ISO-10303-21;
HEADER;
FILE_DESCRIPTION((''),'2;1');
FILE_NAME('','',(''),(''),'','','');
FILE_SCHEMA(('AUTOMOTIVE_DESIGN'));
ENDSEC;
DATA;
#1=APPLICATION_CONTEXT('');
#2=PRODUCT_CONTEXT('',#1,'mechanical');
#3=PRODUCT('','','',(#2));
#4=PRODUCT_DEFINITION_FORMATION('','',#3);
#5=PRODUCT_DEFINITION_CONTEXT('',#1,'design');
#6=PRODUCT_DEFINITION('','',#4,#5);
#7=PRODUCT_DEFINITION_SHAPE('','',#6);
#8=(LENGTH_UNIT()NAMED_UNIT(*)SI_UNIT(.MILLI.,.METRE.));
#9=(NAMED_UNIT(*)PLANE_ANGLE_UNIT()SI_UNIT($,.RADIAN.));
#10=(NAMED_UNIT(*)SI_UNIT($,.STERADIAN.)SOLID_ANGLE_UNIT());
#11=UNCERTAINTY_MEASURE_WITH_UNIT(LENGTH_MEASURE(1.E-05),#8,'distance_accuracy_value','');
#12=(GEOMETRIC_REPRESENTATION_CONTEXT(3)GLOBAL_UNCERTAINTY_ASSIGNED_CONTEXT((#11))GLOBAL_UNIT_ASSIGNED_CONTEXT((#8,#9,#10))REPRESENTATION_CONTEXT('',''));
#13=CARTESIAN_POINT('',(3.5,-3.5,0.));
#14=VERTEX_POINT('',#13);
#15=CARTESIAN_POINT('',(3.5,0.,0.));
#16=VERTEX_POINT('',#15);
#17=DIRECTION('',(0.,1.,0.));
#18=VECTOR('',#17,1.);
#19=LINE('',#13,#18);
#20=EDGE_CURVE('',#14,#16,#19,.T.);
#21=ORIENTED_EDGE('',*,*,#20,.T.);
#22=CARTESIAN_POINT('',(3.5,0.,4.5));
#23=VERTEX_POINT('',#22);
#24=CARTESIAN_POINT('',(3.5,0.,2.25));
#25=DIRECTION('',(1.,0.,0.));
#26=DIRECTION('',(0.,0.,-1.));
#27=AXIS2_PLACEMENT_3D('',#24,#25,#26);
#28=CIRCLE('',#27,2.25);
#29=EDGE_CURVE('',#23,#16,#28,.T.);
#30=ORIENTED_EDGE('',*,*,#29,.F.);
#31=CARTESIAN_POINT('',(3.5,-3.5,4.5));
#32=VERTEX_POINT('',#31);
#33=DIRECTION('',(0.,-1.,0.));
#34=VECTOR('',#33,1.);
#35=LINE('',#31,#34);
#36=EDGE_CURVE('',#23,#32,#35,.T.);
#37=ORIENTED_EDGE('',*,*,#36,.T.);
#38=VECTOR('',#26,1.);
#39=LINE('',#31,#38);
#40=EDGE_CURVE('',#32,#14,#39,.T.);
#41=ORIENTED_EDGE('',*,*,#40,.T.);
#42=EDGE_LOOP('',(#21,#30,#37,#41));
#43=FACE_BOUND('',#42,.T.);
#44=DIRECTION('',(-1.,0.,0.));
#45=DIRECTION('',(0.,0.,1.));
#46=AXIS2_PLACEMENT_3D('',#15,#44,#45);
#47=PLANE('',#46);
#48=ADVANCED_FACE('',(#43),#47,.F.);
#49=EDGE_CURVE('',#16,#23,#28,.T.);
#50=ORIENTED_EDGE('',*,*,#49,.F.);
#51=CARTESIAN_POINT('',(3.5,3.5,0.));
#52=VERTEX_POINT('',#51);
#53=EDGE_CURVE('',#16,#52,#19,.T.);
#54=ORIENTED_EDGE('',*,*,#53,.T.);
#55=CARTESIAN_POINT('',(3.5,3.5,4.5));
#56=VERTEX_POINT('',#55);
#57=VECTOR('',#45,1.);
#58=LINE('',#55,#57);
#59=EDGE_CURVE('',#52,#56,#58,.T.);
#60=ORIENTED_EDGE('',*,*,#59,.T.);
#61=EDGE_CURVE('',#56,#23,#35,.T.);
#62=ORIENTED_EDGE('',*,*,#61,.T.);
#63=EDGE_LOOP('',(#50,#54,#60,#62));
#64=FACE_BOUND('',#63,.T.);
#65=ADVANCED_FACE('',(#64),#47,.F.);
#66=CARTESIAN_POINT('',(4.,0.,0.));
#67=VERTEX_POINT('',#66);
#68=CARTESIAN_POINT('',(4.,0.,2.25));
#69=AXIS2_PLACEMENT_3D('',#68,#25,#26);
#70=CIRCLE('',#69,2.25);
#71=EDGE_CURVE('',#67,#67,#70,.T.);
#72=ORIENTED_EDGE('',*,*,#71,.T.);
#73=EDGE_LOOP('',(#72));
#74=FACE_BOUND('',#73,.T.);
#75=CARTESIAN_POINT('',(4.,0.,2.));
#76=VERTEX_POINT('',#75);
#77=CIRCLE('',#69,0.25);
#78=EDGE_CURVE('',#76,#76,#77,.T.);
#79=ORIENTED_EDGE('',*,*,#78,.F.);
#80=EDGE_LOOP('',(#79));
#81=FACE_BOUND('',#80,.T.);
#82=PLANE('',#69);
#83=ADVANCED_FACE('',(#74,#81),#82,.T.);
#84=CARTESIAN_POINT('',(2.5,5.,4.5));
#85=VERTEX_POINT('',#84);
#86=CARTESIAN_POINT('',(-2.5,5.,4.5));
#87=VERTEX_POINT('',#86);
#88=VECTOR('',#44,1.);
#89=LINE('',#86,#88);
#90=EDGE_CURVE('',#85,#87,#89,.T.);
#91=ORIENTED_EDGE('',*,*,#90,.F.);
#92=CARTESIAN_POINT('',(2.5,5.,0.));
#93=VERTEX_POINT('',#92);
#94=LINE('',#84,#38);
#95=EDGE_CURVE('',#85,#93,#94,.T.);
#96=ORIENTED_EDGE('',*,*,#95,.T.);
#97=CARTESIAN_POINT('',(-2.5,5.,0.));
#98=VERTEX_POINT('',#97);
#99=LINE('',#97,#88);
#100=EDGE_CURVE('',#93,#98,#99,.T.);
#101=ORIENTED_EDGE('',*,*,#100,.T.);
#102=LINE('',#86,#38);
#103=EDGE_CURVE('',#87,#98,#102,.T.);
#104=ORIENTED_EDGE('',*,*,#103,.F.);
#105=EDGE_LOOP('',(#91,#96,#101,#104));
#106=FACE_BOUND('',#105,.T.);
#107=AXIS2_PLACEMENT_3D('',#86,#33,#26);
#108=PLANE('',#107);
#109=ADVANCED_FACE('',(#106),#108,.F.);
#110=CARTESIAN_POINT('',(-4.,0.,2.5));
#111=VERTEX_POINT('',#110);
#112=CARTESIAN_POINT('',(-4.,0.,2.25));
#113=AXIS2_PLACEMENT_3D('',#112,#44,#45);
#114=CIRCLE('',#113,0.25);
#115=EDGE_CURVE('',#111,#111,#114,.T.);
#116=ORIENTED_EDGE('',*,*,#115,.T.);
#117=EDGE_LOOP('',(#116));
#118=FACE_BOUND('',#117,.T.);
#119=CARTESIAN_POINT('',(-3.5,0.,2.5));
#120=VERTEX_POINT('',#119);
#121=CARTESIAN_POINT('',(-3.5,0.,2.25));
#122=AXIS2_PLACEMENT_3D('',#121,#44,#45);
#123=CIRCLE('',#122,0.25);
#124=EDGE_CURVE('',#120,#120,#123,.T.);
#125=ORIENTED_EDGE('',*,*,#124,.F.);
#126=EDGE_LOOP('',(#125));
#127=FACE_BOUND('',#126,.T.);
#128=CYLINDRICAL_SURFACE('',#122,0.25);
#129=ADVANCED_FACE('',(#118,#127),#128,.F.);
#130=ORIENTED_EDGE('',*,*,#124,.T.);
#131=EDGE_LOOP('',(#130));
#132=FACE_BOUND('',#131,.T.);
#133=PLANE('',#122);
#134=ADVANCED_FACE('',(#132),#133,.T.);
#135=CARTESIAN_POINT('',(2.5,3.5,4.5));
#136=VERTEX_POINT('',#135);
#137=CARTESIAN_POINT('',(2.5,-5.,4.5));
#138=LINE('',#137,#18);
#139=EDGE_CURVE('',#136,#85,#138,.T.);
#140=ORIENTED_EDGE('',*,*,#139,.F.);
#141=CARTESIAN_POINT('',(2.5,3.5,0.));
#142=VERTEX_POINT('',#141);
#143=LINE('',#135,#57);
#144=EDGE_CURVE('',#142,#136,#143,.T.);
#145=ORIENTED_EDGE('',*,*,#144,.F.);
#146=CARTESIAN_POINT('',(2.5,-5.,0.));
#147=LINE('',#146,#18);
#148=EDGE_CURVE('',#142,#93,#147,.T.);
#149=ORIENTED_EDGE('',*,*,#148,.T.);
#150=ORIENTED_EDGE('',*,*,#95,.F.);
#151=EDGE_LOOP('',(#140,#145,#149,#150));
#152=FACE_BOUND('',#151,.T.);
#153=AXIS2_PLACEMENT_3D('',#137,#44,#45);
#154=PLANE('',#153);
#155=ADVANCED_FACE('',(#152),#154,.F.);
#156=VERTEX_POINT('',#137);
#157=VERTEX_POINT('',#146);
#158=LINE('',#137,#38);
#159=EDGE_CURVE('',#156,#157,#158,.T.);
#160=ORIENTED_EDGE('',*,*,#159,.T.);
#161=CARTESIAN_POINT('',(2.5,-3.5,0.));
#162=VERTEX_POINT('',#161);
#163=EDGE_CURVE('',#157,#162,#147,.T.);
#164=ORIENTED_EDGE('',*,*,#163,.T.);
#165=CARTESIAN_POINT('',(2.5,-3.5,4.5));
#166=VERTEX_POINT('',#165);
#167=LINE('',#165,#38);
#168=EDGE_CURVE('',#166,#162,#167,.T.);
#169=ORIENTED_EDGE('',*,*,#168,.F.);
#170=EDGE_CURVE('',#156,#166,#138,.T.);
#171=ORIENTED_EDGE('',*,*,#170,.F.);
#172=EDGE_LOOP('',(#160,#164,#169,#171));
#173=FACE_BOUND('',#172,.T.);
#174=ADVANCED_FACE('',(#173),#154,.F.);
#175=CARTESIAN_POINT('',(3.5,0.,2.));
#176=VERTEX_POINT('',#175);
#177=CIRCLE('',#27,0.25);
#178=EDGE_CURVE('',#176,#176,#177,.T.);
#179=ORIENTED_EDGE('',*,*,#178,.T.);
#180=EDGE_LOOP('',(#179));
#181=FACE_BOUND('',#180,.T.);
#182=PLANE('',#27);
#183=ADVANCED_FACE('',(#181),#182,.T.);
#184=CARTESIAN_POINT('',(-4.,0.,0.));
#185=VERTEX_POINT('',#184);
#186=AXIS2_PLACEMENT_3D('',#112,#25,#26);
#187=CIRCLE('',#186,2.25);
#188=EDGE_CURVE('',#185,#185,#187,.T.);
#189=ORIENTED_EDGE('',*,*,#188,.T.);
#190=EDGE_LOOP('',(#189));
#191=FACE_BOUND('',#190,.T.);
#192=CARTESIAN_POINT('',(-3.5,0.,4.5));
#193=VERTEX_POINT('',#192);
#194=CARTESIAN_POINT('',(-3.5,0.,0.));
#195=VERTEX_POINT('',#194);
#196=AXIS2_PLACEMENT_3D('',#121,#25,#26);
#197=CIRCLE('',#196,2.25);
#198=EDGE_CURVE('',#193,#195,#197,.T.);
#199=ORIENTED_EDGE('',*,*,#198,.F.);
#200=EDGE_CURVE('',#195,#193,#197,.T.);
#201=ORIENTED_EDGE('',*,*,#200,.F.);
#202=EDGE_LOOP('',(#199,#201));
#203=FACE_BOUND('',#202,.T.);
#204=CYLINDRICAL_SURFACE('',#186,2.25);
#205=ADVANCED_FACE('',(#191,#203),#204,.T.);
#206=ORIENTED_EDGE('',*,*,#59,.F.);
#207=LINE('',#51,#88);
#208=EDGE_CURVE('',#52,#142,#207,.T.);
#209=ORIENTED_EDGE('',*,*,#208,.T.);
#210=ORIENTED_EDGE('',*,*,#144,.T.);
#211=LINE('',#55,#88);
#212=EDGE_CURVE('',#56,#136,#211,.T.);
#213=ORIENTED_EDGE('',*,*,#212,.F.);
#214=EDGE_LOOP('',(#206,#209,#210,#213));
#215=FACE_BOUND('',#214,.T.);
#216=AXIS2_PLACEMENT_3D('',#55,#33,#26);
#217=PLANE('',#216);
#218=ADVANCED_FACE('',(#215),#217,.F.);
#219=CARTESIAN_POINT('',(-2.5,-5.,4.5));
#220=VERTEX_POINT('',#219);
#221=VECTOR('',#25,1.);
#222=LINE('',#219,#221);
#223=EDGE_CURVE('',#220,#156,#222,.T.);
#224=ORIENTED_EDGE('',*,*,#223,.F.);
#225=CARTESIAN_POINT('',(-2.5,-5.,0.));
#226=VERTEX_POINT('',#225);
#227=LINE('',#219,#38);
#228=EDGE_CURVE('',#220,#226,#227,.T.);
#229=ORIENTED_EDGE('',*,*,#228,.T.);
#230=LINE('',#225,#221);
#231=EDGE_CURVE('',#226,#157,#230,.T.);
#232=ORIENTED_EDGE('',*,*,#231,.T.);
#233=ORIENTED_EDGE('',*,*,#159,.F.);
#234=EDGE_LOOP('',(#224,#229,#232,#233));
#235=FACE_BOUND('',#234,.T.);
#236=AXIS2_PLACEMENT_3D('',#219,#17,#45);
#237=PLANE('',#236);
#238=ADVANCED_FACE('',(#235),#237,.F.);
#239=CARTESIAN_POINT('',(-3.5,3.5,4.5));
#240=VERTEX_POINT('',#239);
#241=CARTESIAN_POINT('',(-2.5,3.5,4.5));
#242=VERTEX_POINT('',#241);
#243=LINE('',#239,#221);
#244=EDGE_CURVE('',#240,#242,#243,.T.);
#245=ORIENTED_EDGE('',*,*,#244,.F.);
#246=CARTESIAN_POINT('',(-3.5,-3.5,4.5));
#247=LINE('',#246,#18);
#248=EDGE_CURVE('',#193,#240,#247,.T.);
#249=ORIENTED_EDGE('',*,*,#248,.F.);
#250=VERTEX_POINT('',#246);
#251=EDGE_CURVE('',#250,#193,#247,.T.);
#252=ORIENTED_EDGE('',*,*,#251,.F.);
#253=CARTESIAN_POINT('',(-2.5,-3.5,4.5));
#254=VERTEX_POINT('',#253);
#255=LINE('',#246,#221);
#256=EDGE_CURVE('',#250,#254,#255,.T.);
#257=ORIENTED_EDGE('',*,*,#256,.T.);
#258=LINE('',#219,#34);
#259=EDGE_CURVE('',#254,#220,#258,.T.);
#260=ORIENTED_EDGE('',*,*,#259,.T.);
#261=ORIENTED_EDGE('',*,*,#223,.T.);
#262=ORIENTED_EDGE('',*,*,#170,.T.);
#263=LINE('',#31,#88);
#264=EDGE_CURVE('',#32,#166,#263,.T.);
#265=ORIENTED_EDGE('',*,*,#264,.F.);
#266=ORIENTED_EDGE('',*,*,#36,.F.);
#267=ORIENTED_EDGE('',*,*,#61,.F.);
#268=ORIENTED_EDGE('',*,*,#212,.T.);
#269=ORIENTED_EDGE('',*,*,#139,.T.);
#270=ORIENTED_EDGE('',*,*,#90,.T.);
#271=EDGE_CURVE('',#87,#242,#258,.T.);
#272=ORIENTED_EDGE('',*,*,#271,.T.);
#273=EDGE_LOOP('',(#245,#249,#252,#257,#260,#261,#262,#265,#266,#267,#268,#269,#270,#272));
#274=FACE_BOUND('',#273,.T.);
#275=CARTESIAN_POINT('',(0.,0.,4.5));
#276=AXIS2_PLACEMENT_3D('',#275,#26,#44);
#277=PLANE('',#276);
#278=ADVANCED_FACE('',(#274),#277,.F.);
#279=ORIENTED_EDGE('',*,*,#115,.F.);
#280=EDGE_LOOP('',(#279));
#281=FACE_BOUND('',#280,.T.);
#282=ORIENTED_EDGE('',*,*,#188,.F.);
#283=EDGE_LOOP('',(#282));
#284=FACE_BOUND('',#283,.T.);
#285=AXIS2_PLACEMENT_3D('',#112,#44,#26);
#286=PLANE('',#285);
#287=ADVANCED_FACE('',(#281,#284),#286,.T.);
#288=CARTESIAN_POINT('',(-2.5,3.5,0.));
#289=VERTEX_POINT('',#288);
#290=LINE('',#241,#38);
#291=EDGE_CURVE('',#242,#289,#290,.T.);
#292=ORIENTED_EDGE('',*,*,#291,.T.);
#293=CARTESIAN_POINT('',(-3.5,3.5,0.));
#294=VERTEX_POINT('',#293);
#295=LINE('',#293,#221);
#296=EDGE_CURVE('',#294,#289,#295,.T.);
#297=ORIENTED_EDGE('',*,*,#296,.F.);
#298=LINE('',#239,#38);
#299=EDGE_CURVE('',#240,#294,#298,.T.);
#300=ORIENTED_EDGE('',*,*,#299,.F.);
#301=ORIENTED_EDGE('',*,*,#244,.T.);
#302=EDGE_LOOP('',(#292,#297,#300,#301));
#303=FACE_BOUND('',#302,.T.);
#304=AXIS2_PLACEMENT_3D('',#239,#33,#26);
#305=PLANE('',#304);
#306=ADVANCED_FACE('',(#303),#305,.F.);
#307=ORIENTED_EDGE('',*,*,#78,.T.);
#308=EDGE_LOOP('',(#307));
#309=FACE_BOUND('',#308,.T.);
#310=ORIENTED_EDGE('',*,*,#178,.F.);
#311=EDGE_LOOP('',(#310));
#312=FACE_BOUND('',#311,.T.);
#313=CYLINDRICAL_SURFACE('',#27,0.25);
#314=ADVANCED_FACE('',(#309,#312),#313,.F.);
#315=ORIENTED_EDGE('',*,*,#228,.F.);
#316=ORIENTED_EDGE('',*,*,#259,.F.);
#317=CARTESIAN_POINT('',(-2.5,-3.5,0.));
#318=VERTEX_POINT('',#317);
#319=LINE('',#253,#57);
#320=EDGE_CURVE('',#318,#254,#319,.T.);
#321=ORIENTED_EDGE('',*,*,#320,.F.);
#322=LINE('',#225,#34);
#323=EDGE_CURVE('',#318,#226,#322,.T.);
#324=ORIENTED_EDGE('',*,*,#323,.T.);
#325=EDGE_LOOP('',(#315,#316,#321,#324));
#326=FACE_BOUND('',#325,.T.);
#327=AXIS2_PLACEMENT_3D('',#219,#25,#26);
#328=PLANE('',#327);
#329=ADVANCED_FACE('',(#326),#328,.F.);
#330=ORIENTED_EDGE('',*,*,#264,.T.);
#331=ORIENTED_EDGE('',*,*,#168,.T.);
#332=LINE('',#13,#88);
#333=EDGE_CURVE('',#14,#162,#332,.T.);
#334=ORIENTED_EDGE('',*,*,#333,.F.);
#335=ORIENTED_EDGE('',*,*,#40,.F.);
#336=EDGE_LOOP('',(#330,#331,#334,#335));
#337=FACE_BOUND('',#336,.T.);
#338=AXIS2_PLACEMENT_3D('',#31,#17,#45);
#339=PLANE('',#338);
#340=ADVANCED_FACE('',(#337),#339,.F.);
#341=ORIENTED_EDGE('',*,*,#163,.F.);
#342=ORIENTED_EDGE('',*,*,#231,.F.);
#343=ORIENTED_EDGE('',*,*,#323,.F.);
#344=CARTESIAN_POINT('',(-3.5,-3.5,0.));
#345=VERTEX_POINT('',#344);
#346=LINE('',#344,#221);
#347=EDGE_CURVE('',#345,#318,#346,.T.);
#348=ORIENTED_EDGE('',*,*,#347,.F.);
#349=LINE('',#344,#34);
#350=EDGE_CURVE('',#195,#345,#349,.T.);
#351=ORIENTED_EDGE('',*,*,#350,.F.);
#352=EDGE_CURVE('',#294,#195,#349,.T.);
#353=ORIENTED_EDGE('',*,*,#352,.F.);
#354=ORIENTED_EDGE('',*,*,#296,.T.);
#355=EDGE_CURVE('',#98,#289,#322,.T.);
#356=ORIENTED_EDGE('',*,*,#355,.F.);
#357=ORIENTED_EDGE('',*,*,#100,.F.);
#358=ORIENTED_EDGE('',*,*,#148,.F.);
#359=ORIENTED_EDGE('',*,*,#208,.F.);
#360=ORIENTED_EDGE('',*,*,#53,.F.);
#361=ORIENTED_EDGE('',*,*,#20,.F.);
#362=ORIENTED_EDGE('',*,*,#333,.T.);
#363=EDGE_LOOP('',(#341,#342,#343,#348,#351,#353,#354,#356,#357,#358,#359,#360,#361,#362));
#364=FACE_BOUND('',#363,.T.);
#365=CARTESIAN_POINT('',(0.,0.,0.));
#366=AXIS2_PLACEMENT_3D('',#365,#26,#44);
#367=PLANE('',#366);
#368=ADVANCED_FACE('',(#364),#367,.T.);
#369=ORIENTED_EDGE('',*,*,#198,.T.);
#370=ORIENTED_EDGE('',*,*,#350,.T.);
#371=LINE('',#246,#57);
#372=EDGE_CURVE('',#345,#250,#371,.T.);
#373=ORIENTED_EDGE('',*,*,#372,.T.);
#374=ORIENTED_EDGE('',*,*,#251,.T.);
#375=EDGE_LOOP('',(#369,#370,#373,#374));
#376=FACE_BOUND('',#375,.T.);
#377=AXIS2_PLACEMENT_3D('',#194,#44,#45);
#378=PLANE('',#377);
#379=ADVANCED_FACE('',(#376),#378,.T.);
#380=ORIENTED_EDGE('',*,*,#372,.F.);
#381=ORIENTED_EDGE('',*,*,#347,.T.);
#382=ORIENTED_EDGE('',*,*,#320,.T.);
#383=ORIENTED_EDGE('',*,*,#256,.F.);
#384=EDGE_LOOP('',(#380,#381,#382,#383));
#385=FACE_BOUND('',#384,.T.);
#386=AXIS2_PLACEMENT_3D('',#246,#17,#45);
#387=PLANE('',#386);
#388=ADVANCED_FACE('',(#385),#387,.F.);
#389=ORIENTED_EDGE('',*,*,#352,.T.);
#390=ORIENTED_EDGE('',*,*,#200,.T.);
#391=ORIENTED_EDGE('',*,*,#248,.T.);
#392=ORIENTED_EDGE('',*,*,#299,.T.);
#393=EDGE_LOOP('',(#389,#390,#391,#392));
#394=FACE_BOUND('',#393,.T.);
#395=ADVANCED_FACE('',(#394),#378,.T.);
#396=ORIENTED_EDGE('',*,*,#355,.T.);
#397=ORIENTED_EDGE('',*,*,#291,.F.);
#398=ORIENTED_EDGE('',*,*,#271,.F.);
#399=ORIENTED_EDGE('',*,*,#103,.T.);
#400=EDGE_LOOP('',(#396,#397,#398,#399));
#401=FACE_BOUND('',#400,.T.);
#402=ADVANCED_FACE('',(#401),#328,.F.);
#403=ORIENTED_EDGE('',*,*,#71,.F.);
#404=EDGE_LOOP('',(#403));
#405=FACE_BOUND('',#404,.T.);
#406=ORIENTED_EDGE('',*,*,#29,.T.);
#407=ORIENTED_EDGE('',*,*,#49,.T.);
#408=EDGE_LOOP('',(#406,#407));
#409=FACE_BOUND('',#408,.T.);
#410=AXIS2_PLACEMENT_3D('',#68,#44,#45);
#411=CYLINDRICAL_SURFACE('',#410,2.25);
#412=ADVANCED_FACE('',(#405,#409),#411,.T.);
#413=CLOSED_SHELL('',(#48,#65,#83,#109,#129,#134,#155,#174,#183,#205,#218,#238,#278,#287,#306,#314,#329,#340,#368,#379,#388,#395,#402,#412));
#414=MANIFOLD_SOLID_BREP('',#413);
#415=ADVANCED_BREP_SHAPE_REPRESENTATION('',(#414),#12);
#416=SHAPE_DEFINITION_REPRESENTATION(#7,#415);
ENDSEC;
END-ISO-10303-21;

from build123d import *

# Parameters (mm, degrees)
SKETCH_4_W          = 5
SKETCH_4_H          = 10
EXTRUDE_2_DEPTH     = 4.5
SKETCH_5_W          = 4.5
SKETCH_5_H          = 7
EXTRUDE_3_DEPTH     = 1
SKETCH_6_W          = 4.5
SKETCH_6_H          = 7
EXTRUDE_4_DEPTH     = 1
SKETCH_7_R          = 2.25
EXTRUDE_5_DEPTH     = 0.5
SKETCH_8_R          = 0.25
CUT_EXTRUDE_1_DEPTH = 0.5
CUT_EXTRUDE_START   = -0.5
SKETCH_9_R          = 0.25
CUT_EXTRUDE_2_DEPTH = 0.5


with BuildPart() as part:
    # 草图4 → 凸台-拉伸2 (new body)
    with BuildSketch(Plane.XY):
        Rectangle(SKETCH_4_W, SKETCH_4_H)
    extrude(amount=EXTRUDE_2_DEPTH)

    # 草图5 → 凸台-拉伸3 (add)
    with BuildSketch(Plane(origin=(2.5, 0, 0), x_dir=(0, 0, -1), z_dir=(1, 0, 0))):
        with Locations((-2.25, 0)):
            Rectangle(SKETCH_5_W, SKETCH_5_H)
    extrude(amount=EXTRUDE_3_DEPTH)

    # 草图6 → 凸台-拉伸4 (add)
    with BuildSketch(Plane.ZY.offset(2.5)):
        with Locations((2.25, 0)):
            Rectangle(SKETCH_6_W, SKETCH_6_H)
    extrude(amount=EXTRUDE_4_DEPTH)

    # 草图7 → 凸台-拉伸5 (add)
    with BuildSketch(Plane(origin=(3.5, 0, 0), x_dir=(0, 0, -1), z_dir=(1, 0, 0))):
        with Locations((-2.25, 0)):
            Circle(SKETCH_7_R)
    extrude_5 = extrude(amount=EXTRUDE_5_DEPTH)

    # 镜向1: 凸台-拉伸5 across plane
    add(extrude_5.mirror(Plane(origin=(0, 0, 0), x_dir=(0, 0, 1), z_dir=(1, 0, 0))))

    # 草图8 → 切除-拉伸1 (cut)
    with BuildSketch(Plane(origin=(4, 0, 0), x_dir=(0, 0, -1), z_dir=(1, 0, 0))):
        with Locations((-2.25, 0)):
            Circle(SKETCH_8_R)
    extrude(amount=-CUT_EXTRUDE_1_DEPTH, mode=Mode.SUBTRACT)

    # 草图9 → 切除-拉伸2 (cut)
    with BuildSketch(Plane.ZY.offset(4).offset(CUT_EXTRUDE_START)):
        with Locations(Location((2.25, 0, 0), (0, 0, 180))):
            Circle(SKETCH_9_R)
    extrude(amount=CUT_EXTRUDE_2_DEPTH, mode=Mode.SUBTRACT)


solid = part.part
